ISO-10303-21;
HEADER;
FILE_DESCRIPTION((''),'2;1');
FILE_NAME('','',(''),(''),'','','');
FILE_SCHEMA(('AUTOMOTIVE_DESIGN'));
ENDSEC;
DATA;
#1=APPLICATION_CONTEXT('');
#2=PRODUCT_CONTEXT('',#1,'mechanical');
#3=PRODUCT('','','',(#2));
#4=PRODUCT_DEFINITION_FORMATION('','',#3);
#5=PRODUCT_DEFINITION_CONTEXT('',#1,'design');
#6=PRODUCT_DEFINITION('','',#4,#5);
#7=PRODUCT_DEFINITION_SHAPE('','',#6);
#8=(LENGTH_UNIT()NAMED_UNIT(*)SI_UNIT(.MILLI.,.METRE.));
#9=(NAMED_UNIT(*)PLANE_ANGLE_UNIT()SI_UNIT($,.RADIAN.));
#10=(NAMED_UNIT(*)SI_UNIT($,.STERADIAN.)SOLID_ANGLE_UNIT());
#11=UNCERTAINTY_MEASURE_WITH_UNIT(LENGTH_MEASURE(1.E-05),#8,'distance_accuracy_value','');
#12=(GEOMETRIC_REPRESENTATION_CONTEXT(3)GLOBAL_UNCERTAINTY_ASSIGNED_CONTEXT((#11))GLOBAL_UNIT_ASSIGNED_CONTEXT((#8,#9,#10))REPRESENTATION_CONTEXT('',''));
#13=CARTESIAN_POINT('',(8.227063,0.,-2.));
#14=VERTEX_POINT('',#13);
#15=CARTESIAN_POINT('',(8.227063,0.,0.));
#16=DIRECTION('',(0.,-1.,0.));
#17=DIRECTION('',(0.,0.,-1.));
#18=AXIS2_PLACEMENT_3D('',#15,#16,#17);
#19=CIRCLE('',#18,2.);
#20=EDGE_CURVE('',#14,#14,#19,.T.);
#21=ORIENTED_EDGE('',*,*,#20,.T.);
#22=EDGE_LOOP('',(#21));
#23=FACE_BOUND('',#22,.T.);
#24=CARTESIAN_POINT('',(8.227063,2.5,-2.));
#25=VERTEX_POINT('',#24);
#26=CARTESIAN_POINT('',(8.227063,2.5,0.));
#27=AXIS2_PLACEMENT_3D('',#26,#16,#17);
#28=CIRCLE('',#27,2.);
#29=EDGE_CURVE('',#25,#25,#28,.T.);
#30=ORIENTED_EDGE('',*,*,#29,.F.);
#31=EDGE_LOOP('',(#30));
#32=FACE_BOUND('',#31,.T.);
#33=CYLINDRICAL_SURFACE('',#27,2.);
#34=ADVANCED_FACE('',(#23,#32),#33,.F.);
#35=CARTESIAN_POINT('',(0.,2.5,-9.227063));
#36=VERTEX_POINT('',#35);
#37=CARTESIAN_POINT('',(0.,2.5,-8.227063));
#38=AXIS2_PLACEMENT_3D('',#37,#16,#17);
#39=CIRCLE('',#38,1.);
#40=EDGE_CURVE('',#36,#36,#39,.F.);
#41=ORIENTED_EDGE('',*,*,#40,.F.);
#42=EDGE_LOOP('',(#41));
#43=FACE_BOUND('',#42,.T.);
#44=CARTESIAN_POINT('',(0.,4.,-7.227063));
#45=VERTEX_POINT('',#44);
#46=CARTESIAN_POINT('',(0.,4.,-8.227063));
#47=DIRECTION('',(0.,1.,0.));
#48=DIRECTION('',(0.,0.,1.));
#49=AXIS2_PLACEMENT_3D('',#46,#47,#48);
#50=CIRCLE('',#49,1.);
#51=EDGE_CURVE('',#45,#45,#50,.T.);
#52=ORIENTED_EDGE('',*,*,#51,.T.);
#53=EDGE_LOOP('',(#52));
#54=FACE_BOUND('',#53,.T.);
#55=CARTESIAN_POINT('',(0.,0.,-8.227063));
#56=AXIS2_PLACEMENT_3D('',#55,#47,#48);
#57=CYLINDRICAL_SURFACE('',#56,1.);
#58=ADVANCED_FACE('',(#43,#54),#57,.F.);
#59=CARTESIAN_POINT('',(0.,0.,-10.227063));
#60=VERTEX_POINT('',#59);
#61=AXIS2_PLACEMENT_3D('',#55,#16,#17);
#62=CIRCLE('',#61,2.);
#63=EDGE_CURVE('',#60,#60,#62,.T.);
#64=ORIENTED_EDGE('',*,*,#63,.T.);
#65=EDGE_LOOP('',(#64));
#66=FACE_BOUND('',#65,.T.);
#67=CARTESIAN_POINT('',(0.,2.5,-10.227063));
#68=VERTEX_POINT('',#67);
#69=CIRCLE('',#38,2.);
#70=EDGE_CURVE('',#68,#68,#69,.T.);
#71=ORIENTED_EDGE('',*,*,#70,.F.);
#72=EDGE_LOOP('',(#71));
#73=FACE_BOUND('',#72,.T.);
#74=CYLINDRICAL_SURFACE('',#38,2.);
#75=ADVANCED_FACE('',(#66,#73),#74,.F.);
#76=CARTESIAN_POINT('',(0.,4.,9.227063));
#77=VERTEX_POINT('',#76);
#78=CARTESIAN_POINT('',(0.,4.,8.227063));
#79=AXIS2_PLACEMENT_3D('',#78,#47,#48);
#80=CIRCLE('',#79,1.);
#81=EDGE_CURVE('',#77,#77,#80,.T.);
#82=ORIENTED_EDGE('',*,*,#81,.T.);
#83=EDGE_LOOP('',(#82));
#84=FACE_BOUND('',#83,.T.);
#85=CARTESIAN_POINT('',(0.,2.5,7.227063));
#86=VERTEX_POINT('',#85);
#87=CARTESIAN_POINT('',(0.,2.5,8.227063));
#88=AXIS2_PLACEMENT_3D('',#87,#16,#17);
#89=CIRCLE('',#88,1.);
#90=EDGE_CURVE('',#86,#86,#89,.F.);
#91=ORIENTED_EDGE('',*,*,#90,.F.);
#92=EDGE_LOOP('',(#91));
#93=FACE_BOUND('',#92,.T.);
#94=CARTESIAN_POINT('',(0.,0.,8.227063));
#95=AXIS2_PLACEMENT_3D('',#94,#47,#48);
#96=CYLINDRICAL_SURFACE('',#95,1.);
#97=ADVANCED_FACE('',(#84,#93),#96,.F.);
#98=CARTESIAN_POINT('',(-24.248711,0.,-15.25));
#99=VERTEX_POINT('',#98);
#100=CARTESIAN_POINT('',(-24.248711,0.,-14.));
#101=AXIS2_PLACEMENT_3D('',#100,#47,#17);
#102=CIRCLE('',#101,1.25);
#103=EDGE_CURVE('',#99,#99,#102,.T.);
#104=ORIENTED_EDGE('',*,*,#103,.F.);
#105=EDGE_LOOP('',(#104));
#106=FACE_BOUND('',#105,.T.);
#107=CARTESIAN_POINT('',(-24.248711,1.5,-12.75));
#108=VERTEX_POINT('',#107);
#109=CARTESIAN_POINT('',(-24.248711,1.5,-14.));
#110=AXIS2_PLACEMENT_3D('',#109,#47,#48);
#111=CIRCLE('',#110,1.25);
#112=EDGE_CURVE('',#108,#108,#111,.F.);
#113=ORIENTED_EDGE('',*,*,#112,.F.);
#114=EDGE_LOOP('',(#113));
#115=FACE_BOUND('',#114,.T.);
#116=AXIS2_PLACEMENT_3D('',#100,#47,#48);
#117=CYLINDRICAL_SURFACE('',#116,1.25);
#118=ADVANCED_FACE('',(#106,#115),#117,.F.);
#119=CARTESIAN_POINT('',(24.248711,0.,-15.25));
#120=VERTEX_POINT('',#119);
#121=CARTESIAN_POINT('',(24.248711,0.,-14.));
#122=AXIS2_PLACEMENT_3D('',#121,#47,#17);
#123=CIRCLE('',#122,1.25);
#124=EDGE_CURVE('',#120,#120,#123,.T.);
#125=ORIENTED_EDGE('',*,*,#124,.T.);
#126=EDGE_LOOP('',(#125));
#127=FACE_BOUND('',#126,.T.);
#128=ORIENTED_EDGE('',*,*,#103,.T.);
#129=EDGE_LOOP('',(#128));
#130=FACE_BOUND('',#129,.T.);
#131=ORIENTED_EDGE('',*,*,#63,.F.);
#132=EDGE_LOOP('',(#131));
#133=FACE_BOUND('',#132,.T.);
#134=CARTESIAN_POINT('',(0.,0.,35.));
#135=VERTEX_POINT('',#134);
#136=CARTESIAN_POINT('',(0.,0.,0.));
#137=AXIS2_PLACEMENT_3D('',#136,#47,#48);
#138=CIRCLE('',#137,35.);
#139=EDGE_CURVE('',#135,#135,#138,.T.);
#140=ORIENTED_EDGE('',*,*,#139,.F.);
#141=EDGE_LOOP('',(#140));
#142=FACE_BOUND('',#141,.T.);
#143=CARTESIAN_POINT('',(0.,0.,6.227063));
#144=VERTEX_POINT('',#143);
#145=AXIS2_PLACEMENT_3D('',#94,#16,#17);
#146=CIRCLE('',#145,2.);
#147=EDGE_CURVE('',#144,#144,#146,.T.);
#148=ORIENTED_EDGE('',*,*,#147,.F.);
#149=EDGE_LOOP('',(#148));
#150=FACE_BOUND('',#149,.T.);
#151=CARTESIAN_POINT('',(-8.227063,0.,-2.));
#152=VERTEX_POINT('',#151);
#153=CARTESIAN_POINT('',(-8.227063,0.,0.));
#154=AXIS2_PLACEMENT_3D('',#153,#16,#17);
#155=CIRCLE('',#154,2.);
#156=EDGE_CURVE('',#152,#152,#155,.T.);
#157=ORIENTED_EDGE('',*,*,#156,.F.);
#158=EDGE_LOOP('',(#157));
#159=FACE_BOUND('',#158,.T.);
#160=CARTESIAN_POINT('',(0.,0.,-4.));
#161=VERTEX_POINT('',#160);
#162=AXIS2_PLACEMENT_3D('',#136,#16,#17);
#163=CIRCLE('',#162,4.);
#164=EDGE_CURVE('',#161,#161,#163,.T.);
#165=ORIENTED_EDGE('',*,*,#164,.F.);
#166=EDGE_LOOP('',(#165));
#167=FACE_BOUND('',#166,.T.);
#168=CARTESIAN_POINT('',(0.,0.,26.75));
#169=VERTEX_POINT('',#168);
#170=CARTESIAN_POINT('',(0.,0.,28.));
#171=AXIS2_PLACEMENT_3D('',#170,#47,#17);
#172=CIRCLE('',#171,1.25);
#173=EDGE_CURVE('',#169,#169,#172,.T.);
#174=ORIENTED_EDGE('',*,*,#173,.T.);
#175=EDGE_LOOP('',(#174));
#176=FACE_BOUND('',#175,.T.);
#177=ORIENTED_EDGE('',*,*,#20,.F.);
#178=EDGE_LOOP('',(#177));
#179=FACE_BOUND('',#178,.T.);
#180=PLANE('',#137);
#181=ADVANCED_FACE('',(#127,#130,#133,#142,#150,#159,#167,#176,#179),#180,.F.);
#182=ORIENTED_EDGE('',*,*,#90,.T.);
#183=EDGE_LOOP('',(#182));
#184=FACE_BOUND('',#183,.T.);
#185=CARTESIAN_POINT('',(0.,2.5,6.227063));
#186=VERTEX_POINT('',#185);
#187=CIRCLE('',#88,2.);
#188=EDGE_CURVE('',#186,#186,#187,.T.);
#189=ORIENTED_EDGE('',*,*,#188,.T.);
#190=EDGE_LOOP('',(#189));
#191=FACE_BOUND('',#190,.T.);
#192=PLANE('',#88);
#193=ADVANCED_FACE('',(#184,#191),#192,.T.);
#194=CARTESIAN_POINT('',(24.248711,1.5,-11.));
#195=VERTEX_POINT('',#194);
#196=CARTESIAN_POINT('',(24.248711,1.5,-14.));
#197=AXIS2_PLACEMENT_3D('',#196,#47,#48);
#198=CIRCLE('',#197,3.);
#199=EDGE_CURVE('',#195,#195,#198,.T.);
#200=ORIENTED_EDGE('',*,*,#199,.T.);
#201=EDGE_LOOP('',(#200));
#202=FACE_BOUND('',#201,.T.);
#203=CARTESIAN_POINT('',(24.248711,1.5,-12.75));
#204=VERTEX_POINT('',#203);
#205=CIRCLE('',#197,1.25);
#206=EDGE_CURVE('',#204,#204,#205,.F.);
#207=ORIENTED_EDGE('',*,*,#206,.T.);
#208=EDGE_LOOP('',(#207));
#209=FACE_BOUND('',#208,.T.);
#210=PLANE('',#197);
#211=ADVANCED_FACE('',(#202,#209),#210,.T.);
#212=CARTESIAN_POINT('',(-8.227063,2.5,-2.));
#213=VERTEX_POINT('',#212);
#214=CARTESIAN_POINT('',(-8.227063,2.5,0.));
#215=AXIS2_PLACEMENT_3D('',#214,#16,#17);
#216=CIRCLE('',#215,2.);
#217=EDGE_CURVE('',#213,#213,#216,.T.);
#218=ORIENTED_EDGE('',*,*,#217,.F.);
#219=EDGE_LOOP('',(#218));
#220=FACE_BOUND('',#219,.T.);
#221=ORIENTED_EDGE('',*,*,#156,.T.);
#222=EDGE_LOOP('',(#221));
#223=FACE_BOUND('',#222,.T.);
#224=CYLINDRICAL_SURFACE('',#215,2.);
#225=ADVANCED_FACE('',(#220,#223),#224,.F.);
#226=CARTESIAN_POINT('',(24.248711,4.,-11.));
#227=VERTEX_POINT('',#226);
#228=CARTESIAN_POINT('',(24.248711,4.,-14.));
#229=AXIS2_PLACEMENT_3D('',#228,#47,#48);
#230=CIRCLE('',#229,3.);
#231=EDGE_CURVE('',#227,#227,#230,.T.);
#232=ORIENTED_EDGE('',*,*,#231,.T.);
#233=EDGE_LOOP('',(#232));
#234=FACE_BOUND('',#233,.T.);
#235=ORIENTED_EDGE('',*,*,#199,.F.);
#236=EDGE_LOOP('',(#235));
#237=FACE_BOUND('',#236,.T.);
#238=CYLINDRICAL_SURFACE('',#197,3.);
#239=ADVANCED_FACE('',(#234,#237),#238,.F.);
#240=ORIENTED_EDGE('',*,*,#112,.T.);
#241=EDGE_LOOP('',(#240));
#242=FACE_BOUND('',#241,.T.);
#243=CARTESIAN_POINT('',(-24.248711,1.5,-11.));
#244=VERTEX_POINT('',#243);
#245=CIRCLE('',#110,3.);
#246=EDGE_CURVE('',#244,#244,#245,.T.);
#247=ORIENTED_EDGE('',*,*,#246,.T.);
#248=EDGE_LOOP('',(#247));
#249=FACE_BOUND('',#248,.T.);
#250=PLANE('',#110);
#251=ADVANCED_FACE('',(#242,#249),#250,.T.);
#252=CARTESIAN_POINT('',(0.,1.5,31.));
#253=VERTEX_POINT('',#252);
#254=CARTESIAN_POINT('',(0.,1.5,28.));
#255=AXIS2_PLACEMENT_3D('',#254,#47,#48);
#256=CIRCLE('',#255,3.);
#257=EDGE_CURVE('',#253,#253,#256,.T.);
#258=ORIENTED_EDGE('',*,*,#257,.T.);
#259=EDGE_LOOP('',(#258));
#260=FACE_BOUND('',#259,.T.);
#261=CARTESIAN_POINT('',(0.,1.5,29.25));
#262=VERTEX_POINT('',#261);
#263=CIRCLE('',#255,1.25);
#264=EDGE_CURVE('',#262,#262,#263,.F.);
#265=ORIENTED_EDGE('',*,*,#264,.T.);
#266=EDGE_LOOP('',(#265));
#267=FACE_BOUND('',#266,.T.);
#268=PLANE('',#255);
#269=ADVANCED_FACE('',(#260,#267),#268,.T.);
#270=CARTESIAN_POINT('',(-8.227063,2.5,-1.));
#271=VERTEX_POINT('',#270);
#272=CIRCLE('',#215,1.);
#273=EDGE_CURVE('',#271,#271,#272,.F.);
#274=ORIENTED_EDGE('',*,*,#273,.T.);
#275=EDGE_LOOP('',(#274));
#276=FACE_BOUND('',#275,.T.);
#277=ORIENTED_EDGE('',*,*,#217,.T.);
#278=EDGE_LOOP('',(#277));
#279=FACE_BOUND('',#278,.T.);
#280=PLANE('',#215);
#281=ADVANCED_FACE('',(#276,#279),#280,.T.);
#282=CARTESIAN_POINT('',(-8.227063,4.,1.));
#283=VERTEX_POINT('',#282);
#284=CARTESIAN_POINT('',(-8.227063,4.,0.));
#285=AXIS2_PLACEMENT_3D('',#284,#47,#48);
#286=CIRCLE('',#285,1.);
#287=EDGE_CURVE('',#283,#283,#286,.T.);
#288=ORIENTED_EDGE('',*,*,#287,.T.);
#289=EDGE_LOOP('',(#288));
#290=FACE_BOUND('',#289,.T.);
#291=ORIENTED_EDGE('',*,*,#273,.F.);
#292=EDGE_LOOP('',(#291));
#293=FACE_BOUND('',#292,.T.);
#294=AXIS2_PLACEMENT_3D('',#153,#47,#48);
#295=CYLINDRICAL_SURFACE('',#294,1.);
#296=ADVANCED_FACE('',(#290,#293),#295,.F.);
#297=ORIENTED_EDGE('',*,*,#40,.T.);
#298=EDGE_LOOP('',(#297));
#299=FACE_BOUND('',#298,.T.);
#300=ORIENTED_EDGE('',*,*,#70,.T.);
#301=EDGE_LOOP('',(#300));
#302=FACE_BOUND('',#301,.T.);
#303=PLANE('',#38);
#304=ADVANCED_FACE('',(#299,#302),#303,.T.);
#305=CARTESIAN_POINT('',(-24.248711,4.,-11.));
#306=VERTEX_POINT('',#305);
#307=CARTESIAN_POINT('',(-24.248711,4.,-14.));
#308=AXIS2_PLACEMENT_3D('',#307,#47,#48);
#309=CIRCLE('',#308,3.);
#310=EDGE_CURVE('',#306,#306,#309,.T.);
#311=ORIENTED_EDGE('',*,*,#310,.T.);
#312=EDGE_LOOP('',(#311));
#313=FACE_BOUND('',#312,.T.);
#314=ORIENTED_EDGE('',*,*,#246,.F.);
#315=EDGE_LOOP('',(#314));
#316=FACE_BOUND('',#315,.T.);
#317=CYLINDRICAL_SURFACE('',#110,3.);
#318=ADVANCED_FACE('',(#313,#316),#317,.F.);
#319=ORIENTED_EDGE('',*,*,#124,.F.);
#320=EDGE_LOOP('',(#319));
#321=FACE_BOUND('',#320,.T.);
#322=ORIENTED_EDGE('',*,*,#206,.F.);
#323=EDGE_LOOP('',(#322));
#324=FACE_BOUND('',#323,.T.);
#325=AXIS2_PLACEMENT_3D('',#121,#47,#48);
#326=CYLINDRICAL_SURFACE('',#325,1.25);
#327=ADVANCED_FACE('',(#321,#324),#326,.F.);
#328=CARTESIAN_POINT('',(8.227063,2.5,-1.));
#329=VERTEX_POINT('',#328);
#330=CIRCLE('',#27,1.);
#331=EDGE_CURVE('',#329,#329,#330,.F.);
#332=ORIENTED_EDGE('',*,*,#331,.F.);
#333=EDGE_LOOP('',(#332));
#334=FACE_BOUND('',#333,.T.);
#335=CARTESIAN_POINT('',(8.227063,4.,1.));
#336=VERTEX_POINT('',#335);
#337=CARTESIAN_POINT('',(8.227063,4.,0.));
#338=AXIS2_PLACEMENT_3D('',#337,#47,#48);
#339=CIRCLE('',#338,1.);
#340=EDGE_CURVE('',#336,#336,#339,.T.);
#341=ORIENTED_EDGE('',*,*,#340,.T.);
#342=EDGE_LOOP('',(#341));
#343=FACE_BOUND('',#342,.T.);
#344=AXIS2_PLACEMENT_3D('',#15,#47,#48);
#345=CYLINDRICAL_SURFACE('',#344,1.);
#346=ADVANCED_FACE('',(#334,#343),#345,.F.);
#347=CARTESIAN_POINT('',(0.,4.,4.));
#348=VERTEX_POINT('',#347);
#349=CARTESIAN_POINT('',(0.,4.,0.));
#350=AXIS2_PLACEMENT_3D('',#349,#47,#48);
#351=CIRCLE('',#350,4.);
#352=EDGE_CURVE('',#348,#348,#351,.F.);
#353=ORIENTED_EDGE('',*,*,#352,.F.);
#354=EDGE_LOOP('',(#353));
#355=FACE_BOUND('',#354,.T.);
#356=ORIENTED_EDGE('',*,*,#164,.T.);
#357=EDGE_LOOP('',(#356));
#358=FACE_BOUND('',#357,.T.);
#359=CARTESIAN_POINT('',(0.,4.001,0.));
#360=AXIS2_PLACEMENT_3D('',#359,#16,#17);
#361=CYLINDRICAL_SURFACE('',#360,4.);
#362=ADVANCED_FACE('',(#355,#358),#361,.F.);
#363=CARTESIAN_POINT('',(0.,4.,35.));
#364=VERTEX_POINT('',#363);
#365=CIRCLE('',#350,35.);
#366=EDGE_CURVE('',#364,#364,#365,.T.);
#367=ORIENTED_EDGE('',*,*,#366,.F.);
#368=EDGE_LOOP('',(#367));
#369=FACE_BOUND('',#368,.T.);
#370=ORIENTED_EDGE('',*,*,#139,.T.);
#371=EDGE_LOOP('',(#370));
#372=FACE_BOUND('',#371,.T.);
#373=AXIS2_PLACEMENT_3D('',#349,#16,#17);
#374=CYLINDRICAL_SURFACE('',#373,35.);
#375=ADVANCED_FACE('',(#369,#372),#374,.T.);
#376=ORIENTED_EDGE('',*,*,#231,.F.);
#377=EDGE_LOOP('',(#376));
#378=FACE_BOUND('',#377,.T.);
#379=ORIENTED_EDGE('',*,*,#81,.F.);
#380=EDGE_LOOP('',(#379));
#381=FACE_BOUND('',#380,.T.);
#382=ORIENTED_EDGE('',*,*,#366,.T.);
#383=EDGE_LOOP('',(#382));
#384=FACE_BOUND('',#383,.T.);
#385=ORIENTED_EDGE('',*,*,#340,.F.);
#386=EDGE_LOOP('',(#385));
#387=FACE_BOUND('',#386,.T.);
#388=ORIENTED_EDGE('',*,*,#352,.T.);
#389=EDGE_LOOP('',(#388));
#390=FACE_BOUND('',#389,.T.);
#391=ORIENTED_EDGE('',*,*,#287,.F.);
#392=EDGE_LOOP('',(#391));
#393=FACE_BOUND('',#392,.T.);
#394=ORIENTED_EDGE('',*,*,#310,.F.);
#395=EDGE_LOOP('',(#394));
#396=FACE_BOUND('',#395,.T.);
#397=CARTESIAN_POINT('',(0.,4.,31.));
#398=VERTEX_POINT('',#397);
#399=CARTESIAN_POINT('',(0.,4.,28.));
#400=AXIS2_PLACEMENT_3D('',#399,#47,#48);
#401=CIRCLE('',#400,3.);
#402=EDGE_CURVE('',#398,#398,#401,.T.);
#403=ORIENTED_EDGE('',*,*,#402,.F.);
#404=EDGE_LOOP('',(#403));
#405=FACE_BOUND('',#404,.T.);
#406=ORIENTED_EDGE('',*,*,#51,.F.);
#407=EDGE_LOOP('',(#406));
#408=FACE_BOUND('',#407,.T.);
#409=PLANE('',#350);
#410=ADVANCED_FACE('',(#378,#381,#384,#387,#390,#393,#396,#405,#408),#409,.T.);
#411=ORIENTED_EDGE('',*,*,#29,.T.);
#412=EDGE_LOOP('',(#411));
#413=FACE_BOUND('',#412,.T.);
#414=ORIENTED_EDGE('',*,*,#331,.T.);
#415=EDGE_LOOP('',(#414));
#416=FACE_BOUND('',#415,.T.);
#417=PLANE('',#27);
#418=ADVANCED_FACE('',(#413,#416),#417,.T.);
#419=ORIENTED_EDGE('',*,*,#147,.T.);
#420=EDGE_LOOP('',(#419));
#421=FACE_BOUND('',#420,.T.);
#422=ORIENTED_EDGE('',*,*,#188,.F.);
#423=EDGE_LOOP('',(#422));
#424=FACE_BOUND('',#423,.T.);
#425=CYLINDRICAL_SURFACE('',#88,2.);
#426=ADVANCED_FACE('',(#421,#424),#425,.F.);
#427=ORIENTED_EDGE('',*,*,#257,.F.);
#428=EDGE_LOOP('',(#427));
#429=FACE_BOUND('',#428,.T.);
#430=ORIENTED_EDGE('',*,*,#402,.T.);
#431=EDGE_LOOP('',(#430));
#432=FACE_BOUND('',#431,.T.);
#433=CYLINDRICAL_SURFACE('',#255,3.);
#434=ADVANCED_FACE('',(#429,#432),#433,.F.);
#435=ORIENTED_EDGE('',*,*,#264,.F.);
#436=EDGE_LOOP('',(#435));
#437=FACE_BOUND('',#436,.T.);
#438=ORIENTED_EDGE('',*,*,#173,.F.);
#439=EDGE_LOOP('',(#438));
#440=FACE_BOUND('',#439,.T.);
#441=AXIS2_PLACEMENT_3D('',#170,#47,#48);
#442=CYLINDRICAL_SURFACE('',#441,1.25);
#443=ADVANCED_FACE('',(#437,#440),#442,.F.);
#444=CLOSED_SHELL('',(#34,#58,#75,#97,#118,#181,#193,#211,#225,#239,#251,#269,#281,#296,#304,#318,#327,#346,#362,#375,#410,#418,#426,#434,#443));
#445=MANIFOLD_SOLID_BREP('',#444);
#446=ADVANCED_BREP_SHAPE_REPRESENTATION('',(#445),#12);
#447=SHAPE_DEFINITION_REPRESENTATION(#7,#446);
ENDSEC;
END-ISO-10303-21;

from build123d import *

# Parameters (mm, degrees)
SKETCH1_R           = 35
BOSS_EXTRUDE1_DEPTH = 4
SKETCH2_R           = 1
SKETCH2_R_2         = 1.25
CUT_EXTRUDE1_DEPTH  = 50.658836072
CUT_EXTRUDE2_REACH  = 51.659
SKETCH3_R           = 4
SKETCH4_R           = 3
CUT_EXTRUDE3_DEPTH  = 2.5
SKETCH5_R           = 2
CUT_EXTRUDE4_DEPTH  = 2.5


with BuildPart() as part:
    # Sketch1 → Boss-Extrude1 (new body)
    with BuildSketch(Plane(origin=(0, 0, 0), x_dir=(1, 0, 0), z_dir=(0, 1, 0))):
        with Locations(Location((0, 0, 0), (0, 0, 270))):
            Circle(SKETCH1_R)
    extrude(amount=BOSS_EXTRUDE1_DEPTH)

    # Sketch2 → Cut-Extrude1 (cut, through all)
    with BuildSketch(Plane(origin=(0, 4, 0), x_dir=(1, 0, 0), z_dir=(0, 1, 0))):
        with Locations(Location((0, 8.227062517, 0), (0, 0, 270))):
            Circle(SKETCH2_R)
        with Locations(Location((8.227062517, 0, 0), (0, 0, 270))):
            Circle(SKETCH2_R)
        with Locations(Location((0, -8.227062517, 0), (0, 0, 270))):
            Circle(SKETCH2_R)
        with Locations(Location((-8.227062517, 0, 0), (0, 0, 270))):
            Circle(SKETCH2_R)
        with Locations(Location((0, -28, 0), (0, 0, 90))):
            Circle(SKETCH2_R_2)
        with Locations(Location((-24.248711306, 14, 0), (0, 0, 90))):
            Circle(SKETCH2_R_2)
        with Locations(Location((24.248711306, 14, 0), (0, 0, 90))):
            Circle(SKETCH2_R_2)
    extrude(amount=-CUT_EXTRUDE1_DEPTH, mode=Mode.SUBTRACT)

    # Sketch3 → Cut-Extrude2 (cut, up to next)
    with BuildSketch(Plane.XZ, mode=Mode.PRIVATE) as cut_extrude2_sk1:
        with Locations(Location((0, 0, 0), (0, 0, 270))):
            Circle(SKETCH3_R)
    cut_extrude2_tool1 = extrude(cut_extrude2_sk1.sketch, amount=-CUT_EXTRUDE2_REACH, mode=Mode.PRIVATE) & part.part
    add(cut_extrude2_tool1.solids().sort_by_distance((0, 0, 0))[0], mode=Mode.SUBTRACT)

    # Sketch4 → Cut-Extrude3 (cut)
    with BuildSketch(Plane(origin=(0, 4, 0), x_dir=(1, 0, 0), z_dir=(0, 1, 0))):
        with Locations(Location((24.248711306, 14, 0), (0, 0, 270))):
            Circle(SKETCH4_R)
        with Locations(Location((0, -28, 0), (0, 0, 270))):
            Circle(SKETCH4_R)
        with Locations(Location((-24.248711306, 14, 0), (0, 0, 270))):
            Circle(SKETCH4_R)
    extrude(amount=-CUT_EXTRUDE3_DEPTH, mode=Mode.SUBTRACT)

    # Sketch5 → Cut-Extrude4 (cut)
    with BuildSketch(Plane.XZ):
        with Locations(Location((0, 8.227062517, 0), (0, 0, 270))):
            Circle(SKETCH5_R)
        with Locations(Location((8.227062517, 0, 0), (0, 0, 270))):
            Circle(SKETCH5_R)
        with Locations(Location((0, -8.227062517, 0), (0, 0, 270))):
            Circle(SKETCH5_R)
        with Locations(Location((-8.227062517, 0, 0), (0, 0, 270))):
            Circle(SKETCH5_R)
    extrude(amount=-CUT_EXTRUDE4_DEPTH, mode=Mode.SUBTRACT)


solid = part.part
